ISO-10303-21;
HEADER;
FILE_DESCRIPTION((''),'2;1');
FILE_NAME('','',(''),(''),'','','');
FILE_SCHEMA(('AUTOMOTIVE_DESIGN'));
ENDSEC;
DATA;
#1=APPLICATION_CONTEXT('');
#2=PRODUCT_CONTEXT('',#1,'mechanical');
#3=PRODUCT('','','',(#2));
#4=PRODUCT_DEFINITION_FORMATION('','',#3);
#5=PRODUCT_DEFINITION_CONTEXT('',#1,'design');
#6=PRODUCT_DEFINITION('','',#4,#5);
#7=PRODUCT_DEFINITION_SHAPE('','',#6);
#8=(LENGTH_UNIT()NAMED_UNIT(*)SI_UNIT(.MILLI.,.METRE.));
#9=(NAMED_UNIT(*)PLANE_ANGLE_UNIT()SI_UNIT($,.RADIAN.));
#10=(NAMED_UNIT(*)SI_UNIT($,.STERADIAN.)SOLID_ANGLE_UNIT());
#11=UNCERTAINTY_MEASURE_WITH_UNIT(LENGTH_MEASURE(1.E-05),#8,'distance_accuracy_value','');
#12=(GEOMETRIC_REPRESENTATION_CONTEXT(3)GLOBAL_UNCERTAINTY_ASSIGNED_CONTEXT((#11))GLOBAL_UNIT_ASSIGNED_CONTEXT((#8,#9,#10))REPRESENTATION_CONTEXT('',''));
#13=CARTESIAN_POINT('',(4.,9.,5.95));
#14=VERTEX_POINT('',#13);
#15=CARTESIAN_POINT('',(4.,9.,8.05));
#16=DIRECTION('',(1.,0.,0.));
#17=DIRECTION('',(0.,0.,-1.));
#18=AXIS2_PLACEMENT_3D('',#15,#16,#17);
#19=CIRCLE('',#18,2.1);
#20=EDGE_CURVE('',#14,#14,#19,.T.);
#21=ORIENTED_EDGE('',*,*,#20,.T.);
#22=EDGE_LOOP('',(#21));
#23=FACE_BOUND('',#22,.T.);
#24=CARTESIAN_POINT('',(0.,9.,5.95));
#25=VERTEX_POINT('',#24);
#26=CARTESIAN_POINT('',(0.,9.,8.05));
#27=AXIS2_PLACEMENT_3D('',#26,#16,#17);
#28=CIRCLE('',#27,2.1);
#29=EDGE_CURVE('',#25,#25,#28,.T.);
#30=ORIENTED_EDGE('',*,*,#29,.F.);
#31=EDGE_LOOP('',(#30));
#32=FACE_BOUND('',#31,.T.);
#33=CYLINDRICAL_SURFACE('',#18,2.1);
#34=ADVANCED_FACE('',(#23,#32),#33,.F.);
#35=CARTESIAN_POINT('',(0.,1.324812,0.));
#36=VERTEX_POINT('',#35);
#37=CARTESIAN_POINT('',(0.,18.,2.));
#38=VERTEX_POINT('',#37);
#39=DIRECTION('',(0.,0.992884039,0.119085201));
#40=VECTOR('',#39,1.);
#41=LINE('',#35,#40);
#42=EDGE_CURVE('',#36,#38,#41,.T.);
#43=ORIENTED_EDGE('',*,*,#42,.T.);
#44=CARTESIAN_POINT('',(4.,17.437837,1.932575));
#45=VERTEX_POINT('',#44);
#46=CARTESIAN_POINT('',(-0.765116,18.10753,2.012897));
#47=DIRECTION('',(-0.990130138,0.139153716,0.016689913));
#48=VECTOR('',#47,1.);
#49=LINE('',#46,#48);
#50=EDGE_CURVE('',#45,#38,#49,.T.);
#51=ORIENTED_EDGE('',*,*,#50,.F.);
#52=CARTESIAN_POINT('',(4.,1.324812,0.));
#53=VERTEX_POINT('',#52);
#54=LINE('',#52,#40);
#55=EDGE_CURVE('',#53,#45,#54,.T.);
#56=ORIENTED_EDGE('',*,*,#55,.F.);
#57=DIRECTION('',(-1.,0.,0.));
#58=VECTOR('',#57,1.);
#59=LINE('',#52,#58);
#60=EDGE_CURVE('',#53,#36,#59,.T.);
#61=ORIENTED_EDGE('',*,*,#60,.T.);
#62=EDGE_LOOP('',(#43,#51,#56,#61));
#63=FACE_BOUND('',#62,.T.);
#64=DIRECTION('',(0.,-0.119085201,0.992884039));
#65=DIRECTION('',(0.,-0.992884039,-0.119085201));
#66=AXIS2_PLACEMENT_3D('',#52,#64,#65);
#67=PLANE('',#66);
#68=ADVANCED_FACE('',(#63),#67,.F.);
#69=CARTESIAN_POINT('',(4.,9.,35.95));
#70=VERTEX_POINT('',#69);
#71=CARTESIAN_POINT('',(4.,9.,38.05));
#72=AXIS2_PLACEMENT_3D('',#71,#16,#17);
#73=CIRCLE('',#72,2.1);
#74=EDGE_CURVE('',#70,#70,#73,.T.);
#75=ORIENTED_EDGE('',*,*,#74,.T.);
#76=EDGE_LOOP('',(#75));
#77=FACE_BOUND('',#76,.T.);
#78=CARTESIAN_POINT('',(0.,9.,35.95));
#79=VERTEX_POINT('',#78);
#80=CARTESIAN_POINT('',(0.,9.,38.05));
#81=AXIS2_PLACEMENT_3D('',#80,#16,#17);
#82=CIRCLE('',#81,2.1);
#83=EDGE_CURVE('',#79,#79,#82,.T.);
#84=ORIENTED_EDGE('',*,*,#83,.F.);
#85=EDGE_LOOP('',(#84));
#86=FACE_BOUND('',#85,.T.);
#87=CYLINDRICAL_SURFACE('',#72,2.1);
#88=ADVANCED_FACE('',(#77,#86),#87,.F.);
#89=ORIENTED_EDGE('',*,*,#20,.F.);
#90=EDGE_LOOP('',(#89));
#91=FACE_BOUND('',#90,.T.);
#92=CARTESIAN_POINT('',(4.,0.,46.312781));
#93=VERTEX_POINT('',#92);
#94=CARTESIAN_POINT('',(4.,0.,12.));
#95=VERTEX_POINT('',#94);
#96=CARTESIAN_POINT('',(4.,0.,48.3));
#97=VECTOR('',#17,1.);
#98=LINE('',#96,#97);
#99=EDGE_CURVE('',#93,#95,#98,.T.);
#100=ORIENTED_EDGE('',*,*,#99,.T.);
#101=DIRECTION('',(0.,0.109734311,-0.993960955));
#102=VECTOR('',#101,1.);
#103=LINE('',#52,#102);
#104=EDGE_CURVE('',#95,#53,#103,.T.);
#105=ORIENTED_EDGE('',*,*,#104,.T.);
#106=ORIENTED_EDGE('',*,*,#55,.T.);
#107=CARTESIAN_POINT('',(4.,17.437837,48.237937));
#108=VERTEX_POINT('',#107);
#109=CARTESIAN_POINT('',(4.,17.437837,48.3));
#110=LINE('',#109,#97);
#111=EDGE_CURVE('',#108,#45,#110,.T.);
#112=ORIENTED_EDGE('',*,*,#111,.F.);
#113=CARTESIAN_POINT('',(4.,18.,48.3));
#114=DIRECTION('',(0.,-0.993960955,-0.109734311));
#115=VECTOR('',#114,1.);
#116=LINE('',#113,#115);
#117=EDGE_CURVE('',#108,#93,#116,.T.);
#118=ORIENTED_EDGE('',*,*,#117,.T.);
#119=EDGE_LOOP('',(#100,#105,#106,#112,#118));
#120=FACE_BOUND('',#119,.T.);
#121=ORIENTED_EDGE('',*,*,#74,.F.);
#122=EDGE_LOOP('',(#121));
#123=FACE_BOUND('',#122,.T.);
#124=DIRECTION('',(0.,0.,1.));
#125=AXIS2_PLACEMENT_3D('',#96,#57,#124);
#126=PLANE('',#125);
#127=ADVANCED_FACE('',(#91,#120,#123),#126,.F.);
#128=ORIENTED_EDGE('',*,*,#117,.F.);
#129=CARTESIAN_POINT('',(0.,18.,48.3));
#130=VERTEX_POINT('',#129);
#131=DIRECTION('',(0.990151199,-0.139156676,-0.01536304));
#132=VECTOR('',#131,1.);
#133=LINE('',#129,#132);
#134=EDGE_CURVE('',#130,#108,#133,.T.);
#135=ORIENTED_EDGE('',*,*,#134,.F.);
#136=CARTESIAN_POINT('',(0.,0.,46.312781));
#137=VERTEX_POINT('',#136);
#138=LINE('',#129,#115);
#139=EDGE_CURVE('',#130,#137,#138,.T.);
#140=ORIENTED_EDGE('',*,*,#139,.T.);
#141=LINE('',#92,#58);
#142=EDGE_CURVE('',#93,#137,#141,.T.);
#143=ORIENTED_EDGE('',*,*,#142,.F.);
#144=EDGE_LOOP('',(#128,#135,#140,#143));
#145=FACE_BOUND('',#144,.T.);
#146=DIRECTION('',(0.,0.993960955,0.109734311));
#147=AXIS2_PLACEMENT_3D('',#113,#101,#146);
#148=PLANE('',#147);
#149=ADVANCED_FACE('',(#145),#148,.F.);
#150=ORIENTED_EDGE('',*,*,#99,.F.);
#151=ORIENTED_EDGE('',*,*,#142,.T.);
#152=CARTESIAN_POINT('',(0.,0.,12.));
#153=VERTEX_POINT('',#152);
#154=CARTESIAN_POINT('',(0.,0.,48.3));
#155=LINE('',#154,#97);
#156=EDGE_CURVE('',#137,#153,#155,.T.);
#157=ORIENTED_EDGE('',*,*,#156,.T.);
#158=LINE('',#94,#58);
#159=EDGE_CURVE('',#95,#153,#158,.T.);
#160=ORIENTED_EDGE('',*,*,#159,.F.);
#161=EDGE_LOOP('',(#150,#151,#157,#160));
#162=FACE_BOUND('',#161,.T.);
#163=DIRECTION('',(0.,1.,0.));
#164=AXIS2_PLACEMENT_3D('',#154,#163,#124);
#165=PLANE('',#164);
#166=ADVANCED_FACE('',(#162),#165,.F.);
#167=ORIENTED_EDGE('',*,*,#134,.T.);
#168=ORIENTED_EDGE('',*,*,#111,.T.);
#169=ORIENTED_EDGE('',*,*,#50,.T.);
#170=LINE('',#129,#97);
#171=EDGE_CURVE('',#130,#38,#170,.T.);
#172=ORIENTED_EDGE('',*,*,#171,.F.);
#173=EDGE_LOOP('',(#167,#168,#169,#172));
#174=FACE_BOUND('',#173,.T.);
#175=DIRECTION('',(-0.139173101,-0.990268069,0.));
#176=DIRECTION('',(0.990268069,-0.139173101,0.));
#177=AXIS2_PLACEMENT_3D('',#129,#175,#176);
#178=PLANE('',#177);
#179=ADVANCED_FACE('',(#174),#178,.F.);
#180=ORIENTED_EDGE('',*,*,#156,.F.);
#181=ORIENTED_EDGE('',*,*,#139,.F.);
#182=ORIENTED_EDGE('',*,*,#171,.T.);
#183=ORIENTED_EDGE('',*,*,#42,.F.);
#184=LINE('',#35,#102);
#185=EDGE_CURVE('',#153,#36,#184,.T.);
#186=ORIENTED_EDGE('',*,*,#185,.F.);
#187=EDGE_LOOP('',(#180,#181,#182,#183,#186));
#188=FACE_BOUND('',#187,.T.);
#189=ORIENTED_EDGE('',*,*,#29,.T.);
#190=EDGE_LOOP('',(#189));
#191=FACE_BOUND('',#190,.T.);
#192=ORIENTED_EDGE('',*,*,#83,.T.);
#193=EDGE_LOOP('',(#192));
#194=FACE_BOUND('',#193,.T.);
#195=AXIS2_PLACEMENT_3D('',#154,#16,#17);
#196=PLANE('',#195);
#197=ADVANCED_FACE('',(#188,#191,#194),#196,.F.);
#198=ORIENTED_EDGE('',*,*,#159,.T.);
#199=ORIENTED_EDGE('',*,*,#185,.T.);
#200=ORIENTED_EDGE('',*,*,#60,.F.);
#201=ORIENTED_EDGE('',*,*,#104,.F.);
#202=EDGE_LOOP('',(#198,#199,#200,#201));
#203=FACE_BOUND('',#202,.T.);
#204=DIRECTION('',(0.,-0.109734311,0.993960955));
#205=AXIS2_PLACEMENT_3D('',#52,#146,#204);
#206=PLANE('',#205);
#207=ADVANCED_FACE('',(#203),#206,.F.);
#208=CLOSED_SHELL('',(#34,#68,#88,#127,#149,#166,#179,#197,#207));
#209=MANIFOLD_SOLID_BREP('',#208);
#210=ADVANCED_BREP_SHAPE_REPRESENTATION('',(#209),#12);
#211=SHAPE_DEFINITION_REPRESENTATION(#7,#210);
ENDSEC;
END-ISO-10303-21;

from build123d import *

# Parameters (mm, degrees)
EXTRUSION1_DEPTH  = 48.3
TROU_TARAUD_M51_D = 4.2
EXTRUSION2_DEPTH  = 52.7
EXTRUSION3_DEPTH  = 52.7


with BuildPart() as part:
    # Esquisse1 → Extrusion1 (new body)
    with BuildSketch(Plane.XY):
        Polygon((0, 0), (4, 0), (4, 17.437836661), (0, 18), align=None)
    extrude(amount=EXTRUSION1_DEPTH)

    # Trou taraudé M51 (through all)
    with Locations(Plane(origin=(4, 0, 0), x_dir=(0, 0, -1), z_dir=(1, 0, 0))):
        with Locations((-8.05, 9), (-38.05, 9)):
            Hole(TROU_TARAUD_M51_D / 2)

    # Esquisse4 → Extrusion2 (cut, through all)
    with BuildSketch(Plane.ZY):
        Polygon((48.3, 18), (46.312781499, 0), (48.3, 0), align=None)
        Polygon((0, 0), (0, 1.324812334), (12, 0), align=None)
    extrude(amount=-EXTRUSION2_DEPTH, mode=Mode.SUBTRACT)

    # Esquisse5 → Extrusion3 (cut, through all)
    with BuildSketch(Plane.ZY):
        Polygon((0, 1.324812334), (2, 18), (0, 18), align=None)
    extrude(amount=-EXTRUSION3_DEPTH, mode=Mode.SUBTRACT)


solid = part.part
